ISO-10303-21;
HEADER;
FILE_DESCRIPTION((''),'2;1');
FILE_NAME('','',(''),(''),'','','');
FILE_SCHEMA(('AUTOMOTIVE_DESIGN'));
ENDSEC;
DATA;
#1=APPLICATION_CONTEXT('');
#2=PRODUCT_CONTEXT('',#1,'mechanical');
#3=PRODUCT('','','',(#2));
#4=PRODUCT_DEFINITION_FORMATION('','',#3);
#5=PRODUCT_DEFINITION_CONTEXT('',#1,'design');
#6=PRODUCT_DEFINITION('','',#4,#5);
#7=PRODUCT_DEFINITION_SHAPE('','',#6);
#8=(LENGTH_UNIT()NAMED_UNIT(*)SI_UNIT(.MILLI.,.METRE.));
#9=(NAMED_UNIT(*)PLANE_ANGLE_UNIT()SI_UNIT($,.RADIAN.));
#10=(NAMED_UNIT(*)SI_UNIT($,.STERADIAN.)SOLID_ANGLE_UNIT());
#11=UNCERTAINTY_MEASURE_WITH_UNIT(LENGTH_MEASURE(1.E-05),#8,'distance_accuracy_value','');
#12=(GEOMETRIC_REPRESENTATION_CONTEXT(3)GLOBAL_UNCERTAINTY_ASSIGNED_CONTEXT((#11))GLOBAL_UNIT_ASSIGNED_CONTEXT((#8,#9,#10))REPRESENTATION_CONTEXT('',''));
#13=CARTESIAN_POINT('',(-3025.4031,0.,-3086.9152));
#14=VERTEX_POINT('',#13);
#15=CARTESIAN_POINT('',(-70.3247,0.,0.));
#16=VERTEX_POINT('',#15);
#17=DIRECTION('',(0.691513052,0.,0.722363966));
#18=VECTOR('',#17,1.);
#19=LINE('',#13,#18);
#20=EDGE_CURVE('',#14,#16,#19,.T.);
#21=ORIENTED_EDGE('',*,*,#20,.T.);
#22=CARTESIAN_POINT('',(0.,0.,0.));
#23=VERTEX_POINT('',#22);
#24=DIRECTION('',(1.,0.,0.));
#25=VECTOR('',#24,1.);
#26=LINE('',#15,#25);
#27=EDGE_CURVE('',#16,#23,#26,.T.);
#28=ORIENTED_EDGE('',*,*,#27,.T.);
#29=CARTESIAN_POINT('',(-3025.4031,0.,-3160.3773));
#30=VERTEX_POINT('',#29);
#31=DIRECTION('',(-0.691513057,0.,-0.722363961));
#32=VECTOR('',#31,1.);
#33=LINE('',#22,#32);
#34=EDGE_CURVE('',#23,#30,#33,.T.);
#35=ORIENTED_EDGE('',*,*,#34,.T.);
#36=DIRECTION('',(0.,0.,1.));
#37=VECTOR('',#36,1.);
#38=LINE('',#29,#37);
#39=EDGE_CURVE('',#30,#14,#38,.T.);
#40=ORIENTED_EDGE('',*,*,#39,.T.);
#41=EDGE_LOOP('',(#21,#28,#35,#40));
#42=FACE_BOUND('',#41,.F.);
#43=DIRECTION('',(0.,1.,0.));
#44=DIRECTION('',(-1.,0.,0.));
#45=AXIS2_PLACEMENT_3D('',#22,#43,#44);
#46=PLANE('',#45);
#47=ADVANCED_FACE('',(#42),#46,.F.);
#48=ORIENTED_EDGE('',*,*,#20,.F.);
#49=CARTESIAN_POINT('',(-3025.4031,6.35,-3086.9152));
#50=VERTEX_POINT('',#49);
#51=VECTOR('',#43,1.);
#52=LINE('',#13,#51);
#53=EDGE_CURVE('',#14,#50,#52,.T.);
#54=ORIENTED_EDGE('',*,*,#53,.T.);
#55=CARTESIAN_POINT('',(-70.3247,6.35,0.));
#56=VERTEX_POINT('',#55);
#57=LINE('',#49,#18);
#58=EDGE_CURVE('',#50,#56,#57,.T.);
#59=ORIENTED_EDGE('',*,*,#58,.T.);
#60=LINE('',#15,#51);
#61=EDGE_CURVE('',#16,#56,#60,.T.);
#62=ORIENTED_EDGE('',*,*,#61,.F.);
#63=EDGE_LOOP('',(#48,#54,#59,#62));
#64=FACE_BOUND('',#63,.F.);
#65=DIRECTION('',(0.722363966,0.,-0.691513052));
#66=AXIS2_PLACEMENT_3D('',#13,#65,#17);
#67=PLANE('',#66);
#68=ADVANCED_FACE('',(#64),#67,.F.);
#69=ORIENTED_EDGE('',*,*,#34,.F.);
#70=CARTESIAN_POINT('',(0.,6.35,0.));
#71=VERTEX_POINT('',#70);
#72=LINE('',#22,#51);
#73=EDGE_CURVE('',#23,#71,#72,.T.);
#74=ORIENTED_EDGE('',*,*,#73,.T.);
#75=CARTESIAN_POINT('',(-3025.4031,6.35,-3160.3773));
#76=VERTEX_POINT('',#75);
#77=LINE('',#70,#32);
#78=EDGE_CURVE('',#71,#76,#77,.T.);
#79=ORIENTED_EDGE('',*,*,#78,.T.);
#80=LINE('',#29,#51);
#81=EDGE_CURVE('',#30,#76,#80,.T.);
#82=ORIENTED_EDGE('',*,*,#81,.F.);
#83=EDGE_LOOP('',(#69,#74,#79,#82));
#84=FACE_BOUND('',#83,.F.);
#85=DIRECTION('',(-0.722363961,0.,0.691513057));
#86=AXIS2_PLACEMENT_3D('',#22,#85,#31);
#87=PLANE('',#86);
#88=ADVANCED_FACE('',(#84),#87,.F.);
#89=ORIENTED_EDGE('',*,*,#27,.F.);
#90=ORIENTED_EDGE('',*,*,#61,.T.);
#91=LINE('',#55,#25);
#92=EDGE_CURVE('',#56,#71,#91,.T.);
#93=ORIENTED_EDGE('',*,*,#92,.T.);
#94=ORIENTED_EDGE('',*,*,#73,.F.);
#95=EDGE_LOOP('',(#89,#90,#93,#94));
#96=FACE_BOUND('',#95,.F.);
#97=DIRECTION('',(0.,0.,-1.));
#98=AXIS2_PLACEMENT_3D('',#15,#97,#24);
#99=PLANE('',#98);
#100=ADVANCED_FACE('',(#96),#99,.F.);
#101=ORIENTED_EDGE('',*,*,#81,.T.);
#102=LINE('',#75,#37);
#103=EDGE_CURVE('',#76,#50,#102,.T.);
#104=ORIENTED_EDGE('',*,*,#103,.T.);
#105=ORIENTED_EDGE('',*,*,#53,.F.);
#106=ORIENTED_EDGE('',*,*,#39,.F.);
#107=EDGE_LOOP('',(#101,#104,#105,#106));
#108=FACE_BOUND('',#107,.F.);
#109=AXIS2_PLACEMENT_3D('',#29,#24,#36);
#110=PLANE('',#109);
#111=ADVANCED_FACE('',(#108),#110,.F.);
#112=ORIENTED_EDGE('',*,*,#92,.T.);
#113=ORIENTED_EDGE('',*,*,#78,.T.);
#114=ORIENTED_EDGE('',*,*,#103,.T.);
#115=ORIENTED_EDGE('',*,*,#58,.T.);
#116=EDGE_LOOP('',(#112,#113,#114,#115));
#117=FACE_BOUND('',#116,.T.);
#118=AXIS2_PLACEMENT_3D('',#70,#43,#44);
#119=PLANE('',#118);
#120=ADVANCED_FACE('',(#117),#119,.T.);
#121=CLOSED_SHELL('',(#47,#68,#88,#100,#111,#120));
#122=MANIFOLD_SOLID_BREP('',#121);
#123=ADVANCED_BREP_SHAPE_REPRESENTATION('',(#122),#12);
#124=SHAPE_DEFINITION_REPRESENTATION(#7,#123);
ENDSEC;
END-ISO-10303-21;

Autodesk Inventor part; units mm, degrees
ref_plane "YZ Plane" through (0, 0, 0) normal (1, 0, 0) x (0, 1, 0)
ref_plane "XZ Plane" through (0, 0, 0) normal (0, 1, 0) x (-1, 0, 0)
ref_plane "XY Plane" through (0, 0, 0) normal (0, 0, 1) x (1, 0, 0)
sketch "Sketch2" plane through (0, 0, 0) normal (0, 1, 0) x (-1, 0, 0)
  line L0 (0, 0) -> (3025.4031, -3160.3773)
  line L1 (3025.4031, -3160.3773) -> (3025.4031, -3086.9152)
  line L2 (3025.4031, -3086.9152) -> (70.3247, 0)
  line L3 (70.3247, 0) -> (0, 0)
  dimension "d12" = 50.8
  dimension "d13" = 136.25
  dimension "d14" = 4375.0484
extrude "Extrusion3" add sketch "Sketch2" along normal blind 6.35
properties part number "FE-00040-07_2_Blue"
